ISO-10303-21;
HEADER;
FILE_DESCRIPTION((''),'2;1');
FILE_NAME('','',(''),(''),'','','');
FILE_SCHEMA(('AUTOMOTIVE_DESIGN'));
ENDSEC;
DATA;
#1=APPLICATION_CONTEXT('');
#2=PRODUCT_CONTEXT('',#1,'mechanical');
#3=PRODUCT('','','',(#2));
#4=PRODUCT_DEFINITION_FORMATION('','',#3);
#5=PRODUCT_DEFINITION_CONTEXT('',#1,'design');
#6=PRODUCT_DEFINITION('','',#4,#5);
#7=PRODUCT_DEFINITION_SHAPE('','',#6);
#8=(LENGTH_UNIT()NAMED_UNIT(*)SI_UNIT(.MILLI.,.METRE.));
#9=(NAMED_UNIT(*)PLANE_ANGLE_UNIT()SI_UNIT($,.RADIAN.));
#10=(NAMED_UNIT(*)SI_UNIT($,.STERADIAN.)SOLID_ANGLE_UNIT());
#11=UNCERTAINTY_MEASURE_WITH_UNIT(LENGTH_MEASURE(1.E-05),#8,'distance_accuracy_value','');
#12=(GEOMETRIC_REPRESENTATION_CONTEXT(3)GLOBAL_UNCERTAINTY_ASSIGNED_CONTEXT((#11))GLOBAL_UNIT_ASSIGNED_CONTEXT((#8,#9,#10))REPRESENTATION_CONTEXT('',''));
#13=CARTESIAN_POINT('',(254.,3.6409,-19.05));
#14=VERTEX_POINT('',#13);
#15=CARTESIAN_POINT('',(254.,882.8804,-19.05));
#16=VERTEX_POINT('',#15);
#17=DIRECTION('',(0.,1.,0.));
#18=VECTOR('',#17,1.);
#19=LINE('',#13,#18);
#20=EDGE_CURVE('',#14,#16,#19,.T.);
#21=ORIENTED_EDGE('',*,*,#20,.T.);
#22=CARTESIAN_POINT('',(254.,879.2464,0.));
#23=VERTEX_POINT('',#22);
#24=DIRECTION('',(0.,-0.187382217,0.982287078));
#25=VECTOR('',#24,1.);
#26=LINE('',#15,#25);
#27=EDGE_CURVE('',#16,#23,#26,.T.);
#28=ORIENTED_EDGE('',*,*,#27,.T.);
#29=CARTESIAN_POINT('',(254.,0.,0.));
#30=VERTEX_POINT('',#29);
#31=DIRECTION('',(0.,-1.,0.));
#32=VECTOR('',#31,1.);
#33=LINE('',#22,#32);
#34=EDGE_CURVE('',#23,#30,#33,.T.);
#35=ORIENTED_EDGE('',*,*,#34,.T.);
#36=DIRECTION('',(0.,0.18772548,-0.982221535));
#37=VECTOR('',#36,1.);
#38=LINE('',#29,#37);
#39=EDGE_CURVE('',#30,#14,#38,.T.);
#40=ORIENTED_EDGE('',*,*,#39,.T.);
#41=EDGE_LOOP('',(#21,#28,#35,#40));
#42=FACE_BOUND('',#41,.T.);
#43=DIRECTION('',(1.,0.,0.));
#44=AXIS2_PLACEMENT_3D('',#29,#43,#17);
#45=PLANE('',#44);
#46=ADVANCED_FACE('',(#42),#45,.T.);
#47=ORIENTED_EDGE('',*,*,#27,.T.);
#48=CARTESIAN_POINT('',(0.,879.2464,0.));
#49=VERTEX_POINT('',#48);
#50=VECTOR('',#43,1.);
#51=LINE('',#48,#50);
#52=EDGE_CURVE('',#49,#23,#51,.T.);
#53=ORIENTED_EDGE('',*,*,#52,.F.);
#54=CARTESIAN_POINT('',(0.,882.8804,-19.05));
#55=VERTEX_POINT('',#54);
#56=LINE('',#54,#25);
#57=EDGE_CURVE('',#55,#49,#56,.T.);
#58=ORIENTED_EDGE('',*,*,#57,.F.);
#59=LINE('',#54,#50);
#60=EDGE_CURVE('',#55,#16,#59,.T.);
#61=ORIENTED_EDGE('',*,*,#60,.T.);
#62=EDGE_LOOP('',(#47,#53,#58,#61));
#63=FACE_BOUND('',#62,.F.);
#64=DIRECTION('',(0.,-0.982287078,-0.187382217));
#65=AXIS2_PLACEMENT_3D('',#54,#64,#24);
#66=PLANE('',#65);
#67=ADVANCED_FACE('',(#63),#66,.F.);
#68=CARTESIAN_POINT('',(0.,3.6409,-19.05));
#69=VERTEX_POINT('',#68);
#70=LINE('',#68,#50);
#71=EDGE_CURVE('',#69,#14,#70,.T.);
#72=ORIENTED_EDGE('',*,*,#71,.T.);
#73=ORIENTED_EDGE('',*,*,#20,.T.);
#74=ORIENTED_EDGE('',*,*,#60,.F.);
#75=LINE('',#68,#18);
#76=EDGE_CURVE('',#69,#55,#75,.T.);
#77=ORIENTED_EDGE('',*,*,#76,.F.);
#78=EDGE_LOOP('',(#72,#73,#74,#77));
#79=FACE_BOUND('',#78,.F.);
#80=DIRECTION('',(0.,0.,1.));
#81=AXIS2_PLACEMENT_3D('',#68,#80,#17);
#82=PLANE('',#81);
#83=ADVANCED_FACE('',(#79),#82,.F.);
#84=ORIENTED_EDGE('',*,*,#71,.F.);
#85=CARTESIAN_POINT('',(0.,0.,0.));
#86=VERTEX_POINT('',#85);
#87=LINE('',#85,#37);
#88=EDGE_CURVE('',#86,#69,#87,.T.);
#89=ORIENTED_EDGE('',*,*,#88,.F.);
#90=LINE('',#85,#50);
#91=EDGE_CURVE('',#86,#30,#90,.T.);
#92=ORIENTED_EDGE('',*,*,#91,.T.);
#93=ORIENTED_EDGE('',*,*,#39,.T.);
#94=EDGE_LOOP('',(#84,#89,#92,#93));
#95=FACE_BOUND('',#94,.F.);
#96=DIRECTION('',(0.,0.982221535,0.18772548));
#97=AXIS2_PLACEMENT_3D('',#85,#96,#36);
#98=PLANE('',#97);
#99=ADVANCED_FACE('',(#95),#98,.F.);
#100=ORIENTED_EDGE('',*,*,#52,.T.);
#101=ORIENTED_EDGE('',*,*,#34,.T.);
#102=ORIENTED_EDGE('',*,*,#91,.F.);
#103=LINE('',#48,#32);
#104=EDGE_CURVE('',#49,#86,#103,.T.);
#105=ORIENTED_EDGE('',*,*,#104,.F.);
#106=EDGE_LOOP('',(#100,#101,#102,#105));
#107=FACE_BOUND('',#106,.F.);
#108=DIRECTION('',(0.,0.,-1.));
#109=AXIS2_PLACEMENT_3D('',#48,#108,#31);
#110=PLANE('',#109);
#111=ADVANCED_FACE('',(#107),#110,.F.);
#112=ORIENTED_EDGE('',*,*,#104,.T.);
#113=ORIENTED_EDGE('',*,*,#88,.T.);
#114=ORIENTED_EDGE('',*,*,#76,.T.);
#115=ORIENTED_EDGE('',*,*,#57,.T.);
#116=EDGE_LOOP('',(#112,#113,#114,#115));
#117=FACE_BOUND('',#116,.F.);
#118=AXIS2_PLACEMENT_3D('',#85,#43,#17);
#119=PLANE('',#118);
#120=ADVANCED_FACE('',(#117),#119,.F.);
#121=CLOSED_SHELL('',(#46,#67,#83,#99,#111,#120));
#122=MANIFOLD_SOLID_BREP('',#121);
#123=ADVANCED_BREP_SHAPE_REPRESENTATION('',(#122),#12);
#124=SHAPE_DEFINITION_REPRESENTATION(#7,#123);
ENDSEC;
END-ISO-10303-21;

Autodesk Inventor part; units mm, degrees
ref_plane "YZ Plane" through (0, 0, 0) normal (1, 0, 0) x (0, 1, 0)
ref_plane "XZ Plane" through (0, 0, 0) normal (0, 1, 0) x (-1, 0, 0)
ref_plane "XY Plane" through (0, 0, 0) normal (0, 0, 1) x (1, 0, 0)
sketch "Sketch1" plane through (0, 0, 0) normal (1, 0, 0) x (0, 1, 0)
  line L0 (879.2464, 0) -> (0, 0)
  line L1 (0, 0) -> (3.6409, -19.05)
  line L2 (3.6409, -19.05) -> (882.8804, -19.05)
  line L3 (882.8804, -19.05) -> (879.2464, 0)
  dimension "d0" = 879.2464
  dimension "d1" = 19.05
  dimension "d2" = 100.8
  dimension "d3" = 79.18
extrude "Extrusion1" add sketch "Sketch1" along normal blind 254
properties part number "topback"
